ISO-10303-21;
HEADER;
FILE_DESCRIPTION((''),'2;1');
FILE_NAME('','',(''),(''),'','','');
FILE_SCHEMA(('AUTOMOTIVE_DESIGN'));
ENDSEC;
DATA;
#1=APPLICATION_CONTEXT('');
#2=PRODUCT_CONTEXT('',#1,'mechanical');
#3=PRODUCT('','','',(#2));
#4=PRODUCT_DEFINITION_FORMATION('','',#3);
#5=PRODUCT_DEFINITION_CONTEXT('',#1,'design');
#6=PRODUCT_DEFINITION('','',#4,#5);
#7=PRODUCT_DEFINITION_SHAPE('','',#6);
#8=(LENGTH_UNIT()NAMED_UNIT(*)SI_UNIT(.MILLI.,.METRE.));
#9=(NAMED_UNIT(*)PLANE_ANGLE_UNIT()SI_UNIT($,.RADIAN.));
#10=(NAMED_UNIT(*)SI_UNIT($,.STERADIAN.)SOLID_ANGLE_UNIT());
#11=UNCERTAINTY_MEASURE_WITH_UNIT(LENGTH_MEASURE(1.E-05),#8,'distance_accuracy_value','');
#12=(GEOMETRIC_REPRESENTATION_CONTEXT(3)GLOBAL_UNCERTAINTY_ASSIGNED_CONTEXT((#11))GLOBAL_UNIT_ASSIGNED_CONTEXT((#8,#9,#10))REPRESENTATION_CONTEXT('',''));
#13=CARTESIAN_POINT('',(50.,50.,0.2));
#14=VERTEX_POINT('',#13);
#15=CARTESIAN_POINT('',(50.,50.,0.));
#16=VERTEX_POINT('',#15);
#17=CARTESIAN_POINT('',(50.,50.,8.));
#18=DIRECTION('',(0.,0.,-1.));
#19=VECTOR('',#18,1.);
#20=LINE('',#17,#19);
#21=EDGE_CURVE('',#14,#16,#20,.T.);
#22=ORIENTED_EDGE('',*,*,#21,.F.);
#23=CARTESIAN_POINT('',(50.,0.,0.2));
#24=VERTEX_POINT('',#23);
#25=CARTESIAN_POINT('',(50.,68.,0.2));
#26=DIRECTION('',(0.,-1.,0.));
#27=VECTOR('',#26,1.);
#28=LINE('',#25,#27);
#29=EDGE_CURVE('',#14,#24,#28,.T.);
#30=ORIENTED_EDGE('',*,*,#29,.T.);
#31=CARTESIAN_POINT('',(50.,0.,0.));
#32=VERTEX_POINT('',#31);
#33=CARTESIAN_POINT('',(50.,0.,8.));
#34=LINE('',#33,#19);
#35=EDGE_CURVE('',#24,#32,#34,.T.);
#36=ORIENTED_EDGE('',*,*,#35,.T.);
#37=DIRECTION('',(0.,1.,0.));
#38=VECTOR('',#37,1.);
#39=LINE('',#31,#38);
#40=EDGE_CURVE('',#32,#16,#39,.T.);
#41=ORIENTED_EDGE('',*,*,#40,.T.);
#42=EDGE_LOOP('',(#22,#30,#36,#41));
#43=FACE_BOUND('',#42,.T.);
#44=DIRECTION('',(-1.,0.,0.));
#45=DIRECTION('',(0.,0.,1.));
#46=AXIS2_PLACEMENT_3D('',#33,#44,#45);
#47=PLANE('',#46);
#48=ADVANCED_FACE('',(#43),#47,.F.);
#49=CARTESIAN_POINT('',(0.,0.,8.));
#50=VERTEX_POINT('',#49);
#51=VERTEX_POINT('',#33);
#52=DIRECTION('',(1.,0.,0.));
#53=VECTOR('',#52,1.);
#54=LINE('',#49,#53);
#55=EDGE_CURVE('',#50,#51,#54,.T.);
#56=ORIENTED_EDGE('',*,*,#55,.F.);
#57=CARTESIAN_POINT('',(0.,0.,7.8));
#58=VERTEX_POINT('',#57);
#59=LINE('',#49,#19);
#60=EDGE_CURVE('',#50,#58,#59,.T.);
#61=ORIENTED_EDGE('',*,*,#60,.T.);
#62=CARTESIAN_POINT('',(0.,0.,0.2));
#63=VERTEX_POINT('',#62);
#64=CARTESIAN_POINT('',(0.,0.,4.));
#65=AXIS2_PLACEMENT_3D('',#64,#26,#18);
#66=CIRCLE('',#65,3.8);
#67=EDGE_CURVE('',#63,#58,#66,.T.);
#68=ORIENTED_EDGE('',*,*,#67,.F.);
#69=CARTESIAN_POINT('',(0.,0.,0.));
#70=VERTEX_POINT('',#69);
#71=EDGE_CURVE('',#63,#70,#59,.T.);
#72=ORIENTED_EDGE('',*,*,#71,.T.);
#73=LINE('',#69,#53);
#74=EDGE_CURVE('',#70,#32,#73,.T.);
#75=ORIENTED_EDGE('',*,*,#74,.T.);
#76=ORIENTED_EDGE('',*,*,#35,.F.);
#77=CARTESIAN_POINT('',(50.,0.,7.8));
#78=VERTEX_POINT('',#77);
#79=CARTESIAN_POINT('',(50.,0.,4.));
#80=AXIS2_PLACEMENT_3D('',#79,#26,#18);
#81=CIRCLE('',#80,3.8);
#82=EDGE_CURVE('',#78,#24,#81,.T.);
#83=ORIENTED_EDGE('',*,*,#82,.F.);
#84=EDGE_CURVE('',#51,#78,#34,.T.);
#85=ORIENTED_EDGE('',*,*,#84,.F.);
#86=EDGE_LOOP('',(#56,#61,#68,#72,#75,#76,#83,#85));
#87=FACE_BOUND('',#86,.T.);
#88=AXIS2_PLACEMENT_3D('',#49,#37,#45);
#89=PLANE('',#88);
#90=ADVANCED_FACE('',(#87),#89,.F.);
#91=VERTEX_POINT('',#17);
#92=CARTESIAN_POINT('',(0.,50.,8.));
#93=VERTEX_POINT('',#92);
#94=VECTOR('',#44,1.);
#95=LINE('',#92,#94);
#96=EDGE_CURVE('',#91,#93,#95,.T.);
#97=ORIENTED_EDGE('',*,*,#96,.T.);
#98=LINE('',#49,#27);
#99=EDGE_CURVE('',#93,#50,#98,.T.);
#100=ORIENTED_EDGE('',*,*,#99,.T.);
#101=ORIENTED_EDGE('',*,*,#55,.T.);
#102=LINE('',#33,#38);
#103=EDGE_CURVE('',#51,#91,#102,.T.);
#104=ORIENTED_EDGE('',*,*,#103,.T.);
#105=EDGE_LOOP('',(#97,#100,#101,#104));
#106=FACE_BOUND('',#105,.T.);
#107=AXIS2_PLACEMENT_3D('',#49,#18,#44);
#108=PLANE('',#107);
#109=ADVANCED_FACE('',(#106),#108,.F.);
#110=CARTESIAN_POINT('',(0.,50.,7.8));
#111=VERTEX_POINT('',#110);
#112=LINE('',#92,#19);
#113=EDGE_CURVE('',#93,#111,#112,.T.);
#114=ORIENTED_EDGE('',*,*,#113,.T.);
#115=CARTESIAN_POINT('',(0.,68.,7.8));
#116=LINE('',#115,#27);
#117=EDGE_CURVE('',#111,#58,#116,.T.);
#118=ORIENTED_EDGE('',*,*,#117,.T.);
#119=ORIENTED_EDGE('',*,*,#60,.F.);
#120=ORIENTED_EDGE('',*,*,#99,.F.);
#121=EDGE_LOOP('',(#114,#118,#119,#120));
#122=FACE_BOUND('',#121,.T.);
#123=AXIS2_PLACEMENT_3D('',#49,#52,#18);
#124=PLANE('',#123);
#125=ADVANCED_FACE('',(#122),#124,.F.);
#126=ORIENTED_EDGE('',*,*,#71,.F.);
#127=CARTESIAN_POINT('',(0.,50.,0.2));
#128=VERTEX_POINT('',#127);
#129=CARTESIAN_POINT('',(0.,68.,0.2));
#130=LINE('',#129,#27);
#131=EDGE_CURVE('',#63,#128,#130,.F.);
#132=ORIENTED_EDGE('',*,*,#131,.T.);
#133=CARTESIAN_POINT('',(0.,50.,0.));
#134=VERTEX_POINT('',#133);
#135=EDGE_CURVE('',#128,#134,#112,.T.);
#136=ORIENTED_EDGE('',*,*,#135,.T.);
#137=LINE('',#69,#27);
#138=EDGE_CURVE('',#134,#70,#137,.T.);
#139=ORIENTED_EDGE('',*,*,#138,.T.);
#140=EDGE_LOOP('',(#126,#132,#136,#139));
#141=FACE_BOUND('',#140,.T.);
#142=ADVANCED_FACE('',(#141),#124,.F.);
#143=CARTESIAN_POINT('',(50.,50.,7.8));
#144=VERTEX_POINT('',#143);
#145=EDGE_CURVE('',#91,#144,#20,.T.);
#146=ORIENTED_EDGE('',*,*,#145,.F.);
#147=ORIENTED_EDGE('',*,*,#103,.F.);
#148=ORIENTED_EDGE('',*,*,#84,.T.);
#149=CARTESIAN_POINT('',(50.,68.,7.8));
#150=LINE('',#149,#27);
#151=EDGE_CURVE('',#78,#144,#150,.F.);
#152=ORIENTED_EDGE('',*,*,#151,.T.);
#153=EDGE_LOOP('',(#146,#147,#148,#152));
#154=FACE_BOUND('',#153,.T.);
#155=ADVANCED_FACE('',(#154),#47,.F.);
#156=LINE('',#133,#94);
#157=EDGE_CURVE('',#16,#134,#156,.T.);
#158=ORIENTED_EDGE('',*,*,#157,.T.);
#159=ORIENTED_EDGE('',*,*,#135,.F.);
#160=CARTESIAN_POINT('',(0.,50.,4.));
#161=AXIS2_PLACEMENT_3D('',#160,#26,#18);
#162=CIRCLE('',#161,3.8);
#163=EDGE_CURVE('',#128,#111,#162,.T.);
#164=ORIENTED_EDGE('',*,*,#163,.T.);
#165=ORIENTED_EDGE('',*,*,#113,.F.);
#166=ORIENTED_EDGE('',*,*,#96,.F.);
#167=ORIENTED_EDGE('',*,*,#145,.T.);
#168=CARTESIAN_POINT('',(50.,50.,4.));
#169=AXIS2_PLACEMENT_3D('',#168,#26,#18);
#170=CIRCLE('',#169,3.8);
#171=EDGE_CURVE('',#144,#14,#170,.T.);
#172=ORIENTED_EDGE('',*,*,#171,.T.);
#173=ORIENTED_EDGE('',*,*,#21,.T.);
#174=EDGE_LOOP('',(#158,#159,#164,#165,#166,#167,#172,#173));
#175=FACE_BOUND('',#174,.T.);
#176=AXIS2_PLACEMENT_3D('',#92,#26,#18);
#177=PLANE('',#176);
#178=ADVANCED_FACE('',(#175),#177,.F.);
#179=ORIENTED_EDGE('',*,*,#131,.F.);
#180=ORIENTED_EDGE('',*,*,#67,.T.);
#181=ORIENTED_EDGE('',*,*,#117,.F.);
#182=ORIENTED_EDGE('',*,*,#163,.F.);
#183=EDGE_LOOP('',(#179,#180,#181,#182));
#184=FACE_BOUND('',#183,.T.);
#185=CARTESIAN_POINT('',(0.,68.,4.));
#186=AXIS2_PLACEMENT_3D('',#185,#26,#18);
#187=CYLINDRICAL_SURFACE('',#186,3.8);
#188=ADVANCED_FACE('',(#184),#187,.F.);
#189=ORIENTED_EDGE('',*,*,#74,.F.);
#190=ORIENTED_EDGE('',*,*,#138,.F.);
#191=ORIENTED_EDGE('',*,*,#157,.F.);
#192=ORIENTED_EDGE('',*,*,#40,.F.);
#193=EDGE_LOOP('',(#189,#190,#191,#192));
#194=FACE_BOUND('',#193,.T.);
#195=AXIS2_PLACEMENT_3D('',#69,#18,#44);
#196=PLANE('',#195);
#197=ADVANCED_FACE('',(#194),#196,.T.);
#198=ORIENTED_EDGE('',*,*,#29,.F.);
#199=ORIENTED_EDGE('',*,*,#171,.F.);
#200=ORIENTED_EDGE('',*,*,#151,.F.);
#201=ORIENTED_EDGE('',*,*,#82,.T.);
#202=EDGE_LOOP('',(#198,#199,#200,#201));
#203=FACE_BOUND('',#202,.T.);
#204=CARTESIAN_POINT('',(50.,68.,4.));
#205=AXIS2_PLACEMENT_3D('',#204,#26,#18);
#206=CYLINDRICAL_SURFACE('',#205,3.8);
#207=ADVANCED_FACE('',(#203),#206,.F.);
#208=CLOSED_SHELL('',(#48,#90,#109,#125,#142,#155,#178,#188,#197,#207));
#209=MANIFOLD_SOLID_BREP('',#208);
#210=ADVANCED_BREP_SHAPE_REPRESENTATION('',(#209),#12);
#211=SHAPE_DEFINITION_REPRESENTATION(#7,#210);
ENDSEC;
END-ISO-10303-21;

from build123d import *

# Parameters (mm, degrees)
SKETCH1_W           = 50
SKETCH1_H           = 50
BOSS_EXTRUDE3_DEPTH = 8
SKETCH6_R           = 3.8
CUT_EXTRUDE2_DEPTH  = 68


with BuildPart() as part:
    # Sketch1 → Boss-Extrude3 (new body)
    with BuildSketch(Plane.XY):
        with Locations((25, 25)):
            Rectangle(SKETCH1_W, SKETCH1_H)
    extrude(amount=BOSS_EXTRUDE3_DEPTH)

    # Sketch6 → Cut-Extrude2 (cut)
    with BuildSketch(Plane.XZ):
        with Locations((0, 4)):
            Circle(SKETCH6_R)
        with Locations((50, 4)):
            Circle(SKETCH6_R)
    extrude(amount=-CUT_EXTRUDE2_DEPTH, mode=Mode.SUBTRACT)


solid = part.part
